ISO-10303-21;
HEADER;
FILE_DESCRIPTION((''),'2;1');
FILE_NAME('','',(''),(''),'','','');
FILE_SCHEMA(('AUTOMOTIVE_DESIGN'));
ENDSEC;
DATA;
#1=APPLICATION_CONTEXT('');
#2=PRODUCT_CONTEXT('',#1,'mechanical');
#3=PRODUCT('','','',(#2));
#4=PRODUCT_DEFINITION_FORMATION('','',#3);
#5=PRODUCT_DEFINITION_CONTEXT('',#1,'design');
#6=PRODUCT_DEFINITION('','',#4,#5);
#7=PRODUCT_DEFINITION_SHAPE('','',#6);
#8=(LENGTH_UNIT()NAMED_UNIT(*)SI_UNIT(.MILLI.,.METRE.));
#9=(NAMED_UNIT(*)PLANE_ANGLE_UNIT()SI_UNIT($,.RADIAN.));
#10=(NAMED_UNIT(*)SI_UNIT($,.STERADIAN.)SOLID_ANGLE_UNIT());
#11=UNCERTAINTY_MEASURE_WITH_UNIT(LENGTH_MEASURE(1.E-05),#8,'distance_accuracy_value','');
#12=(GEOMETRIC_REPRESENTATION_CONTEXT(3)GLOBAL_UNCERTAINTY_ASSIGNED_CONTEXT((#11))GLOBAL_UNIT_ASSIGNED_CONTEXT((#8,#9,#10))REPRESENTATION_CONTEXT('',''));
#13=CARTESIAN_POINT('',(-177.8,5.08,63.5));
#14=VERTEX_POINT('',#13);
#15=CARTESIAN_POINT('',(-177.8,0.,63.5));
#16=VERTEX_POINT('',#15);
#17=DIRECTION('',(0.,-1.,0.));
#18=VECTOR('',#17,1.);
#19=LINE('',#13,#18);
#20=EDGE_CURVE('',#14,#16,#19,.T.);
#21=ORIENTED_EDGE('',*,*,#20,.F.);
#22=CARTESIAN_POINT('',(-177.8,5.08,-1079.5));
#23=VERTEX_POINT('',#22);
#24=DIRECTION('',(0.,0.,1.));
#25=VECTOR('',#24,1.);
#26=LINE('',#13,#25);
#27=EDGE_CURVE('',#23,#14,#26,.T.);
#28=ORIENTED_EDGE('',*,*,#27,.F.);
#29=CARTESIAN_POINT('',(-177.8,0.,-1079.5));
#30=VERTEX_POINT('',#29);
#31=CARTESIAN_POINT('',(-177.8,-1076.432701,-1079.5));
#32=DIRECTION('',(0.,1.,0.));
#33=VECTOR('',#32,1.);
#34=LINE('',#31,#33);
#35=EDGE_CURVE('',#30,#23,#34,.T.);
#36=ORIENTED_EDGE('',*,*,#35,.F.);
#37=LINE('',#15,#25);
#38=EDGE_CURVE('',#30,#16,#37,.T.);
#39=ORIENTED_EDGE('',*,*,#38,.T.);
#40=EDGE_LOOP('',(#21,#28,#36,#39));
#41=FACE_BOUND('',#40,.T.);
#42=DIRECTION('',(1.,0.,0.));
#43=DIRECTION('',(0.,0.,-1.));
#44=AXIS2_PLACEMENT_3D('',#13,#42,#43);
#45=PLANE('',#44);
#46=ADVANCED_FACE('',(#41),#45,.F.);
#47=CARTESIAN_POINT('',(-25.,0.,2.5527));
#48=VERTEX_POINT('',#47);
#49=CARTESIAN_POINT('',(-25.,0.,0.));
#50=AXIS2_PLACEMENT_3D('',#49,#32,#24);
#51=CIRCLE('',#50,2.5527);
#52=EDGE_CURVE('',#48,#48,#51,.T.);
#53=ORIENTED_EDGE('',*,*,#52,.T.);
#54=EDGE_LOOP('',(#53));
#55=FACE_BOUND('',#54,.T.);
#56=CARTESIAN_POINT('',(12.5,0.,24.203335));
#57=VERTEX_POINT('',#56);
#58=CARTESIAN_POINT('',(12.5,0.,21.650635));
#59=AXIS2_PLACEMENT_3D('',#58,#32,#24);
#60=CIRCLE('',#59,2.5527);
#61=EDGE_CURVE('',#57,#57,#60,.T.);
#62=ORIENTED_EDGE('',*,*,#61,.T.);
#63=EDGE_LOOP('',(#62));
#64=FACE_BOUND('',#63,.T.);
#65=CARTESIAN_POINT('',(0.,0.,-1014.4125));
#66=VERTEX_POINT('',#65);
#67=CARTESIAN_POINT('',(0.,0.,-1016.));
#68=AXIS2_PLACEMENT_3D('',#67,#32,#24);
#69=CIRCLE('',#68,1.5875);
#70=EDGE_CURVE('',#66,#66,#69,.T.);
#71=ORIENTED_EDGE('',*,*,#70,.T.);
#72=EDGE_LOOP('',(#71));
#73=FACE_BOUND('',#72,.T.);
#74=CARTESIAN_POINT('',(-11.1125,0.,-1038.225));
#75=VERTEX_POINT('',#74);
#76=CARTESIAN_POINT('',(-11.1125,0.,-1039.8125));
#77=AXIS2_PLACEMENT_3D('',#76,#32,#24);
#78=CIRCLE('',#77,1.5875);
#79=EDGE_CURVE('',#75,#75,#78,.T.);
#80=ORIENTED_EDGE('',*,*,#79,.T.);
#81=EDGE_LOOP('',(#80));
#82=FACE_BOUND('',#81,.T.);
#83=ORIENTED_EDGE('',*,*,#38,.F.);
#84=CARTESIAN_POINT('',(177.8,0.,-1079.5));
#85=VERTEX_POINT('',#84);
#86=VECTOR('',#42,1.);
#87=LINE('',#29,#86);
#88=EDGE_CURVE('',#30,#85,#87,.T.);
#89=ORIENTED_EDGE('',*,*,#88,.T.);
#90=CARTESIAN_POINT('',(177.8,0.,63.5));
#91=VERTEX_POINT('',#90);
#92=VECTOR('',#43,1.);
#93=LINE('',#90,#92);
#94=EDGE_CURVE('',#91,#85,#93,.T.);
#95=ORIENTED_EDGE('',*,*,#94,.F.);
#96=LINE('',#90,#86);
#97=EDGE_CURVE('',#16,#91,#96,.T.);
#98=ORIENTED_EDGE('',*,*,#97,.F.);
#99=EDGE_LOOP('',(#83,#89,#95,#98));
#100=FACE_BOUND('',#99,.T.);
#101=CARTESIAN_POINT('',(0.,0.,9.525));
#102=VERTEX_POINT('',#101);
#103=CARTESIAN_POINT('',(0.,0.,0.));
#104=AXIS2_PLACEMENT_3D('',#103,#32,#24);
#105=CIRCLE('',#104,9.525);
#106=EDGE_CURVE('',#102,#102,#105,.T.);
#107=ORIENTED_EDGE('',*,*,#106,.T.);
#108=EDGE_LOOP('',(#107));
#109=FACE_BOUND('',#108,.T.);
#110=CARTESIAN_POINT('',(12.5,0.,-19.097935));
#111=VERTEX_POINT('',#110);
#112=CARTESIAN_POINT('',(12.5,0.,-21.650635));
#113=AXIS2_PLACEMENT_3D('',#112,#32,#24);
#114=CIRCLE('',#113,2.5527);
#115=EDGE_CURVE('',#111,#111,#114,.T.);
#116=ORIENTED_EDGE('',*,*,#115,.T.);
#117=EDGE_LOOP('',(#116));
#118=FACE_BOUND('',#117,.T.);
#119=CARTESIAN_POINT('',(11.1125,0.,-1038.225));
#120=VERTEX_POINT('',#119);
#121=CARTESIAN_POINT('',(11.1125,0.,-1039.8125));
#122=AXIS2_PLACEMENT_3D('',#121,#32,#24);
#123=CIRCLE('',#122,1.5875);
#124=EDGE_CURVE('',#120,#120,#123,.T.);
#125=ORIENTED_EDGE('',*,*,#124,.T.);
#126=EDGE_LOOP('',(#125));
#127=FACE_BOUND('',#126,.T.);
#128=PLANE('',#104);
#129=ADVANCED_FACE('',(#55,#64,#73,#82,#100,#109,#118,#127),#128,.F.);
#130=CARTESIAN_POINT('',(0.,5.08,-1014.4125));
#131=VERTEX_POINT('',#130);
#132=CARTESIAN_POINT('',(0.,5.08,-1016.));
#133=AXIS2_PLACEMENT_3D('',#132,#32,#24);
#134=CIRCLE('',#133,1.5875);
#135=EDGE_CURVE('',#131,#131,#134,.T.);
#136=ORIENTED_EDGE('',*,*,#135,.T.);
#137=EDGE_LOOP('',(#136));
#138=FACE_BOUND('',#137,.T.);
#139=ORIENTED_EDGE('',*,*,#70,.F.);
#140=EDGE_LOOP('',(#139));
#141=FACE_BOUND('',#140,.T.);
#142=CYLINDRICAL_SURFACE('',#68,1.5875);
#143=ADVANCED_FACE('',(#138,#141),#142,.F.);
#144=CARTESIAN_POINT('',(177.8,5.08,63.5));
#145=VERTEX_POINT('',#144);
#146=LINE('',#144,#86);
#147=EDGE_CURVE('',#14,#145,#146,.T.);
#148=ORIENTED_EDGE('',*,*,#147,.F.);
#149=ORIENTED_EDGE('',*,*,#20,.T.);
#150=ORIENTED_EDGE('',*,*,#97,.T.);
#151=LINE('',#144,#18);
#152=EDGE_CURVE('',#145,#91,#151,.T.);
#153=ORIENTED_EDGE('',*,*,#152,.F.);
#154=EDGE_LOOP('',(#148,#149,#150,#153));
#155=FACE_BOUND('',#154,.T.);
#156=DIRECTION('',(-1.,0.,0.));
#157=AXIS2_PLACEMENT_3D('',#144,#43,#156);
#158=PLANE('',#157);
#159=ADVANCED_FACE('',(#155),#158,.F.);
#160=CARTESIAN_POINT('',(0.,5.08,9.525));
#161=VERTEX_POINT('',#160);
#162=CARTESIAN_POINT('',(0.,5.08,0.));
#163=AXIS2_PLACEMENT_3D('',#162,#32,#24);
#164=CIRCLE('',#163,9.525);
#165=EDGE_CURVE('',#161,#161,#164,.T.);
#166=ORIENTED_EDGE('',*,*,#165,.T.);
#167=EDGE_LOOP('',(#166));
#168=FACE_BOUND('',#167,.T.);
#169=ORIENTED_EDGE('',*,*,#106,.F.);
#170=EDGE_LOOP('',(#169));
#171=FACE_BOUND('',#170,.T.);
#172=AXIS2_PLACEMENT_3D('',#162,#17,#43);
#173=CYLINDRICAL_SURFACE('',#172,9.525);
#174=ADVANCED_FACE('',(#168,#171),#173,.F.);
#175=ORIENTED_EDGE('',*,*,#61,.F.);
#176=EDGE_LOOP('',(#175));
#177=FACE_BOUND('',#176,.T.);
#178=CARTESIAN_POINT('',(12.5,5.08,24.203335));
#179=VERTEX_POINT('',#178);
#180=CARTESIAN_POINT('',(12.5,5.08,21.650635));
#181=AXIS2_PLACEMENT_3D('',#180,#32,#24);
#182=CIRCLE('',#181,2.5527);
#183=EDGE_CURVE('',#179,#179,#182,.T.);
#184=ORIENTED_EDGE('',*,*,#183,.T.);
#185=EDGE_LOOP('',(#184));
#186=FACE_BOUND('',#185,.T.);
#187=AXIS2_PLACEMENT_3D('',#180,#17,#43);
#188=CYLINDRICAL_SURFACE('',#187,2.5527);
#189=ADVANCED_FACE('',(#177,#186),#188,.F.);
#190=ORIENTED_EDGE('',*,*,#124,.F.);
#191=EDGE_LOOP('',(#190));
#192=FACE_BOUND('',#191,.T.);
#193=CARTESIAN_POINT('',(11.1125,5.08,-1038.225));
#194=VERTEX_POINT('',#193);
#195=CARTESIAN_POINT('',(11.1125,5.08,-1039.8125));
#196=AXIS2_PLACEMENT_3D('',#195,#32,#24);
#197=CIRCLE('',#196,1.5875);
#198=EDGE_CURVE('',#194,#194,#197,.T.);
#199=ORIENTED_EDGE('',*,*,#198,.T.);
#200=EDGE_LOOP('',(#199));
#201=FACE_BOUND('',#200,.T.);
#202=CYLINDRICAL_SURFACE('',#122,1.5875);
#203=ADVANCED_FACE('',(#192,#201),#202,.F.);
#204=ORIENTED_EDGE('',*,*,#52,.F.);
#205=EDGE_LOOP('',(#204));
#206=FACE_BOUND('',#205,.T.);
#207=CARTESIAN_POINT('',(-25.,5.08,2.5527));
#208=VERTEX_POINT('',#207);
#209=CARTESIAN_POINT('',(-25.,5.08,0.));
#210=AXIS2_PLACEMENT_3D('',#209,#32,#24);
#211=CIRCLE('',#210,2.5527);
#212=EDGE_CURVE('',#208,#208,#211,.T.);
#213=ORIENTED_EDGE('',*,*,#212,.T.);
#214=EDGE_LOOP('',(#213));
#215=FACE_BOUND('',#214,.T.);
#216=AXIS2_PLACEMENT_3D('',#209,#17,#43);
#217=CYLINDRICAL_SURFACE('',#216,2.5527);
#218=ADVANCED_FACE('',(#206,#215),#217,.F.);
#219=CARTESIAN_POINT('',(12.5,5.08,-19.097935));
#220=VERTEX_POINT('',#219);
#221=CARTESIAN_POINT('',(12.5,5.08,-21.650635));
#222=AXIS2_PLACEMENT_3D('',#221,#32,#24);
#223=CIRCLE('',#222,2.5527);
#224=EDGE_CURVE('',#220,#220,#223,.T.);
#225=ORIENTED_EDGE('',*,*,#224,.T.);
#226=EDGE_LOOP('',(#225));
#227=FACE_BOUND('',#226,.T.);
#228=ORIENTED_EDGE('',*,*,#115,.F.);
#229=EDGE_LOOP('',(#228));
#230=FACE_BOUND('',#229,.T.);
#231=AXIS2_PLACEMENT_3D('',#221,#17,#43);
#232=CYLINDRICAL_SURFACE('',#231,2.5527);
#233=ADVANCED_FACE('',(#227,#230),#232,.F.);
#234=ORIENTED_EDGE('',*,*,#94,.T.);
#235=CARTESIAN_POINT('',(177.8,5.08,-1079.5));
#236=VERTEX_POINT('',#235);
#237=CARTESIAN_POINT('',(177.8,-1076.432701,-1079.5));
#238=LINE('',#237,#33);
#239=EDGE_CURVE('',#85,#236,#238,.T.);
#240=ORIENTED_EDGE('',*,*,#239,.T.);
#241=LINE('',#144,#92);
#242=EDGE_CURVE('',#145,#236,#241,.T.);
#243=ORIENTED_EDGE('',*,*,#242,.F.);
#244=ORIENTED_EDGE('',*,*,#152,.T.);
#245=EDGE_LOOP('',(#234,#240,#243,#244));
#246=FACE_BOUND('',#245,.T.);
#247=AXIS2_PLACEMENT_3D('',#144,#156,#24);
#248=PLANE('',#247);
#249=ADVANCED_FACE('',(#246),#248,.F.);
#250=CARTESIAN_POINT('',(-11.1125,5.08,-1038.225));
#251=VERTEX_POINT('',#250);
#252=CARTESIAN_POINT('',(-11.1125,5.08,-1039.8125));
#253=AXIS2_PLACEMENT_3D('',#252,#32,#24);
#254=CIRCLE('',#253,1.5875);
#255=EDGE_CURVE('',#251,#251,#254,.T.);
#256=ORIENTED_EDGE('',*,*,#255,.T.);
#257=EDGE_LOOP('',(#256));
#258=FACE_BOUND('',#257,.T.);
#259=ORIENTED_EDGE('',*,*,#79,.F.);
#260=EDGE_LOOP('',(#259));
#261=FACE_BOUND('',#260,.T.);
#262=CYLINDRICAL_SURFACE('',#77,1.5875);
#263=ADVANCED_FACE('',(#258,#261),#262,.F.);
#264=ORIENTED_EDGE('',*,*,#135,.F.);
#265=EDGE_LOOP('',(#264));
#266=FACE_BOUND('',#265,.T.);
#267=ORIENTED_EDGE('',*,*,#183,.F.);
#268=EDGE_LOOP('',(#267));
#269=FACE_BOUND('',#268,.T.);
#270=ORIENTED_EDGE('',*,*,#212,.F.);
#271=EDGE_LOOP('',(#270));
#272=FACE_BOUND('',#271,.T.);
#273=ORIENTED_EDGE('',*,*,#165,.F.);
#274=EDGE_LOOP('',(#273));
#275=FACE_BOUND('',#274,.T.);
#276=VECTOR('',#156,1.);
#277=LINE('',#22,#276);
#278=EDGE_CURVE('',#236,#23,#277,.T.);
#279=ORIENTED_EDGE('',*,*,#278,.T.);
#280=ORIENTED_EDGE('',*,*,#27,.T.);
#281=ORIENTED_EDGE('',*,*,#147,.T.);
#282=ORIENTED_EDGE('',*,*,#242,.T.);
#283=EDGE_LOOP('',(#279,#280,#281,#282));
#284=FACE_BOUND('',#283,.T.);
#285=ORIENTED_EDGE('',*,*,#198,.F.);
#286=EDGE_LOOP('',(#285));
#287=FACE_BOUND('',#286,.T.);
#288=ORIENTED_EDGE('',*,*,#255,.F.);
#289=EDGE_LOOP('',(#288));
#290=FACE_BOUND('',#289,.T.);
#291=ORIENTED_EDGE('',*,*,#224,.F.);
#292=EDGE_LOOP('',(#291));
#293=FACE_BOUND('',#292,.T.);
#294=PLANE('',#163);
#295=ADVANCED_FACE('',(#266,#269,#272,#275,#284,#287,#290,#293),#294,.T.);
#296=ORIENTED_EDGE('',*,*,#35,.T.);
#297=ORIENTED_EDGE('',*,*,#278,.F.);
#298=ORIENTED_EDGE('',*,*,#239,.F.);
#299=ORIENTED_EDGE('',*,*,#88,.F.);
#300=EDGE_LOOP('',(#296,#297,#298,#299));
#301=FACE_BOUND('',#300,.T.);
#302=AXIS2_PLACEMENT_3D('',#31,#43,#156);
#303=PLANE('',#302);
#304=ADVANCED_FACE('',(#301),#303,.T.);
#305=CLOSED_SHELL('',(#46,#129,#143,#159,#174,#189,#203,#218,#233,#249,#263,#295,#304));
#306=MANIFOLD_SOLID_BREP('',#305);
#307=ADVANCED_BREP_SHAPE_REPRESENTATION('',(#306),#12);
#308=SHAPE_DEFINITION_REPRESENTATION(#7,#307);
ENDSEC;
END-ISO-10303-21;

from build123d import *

# Parameters (mm, degrees)
SKETCH1_W           = 355.6
SKETCH1_H           = 127
SKETCH1_R           = 9.525
SKETCH1_R_2         = 2.5527
BOSS_EXTRUDE1_DEPTH = 5.08
SKETCH2_W           = 355.6
SKETCH2_H           = 1016
BOSS_EXTRUDE2_DEPTH = 5.08
SKETCH4_R           = 1.5875
CUT_EXTRUDE1_DEPTH  = 6.08


with BuildPart() as part:
    # Sketch1 → Boss-Extrude1 (new body)
    with BuildSketch(Plane(origin=(0, 0, 0), x_dir=(1, 0, 0), z_dir=(0, 1, 0))):
        Rectangle(SKETCH1_W, SKETCH1_H)
        Circle(SKETCH1_R, mode=Mode.SUBTRACT)
        with Locations((12.5, 21.650635095)):
            Circle(SKETCH1_R_2, mode=Mode.SUBTRACT)
        with Locations((12.5, -21.650635095)):
            Circle(SKETCH1_R_2, mode=Mode.SUBTRACT)
        with Locations((-25, 0)):
            Circle(SKETCH1_R_2, mode=Mode.SUBTRACT)
    extrude(amount=BOSS_EXTRUDE1_DEPTH)

    # Sketch2 → Boss-Extrude2 (add)
    with BuildSketch(Plane(origin=(0, 5.08, 0), x_dir=(1, 0, 0), z_dir=(0, 1, 0))):
        with Locations((0, 571.5)):
            Rectangle(SKETCH2_W, SKETCH2_H)
    extrude(amount=-BOSS_EXTRUDE2_DEPTH)

    # Sketch4 → Cut-Extrude1 (cut, through all)
    with BuildSketch(Plane(origin=(0, 5.08, 0), x_dir=(1, 0, 0), z_dir=(0, 1, 0))):
        with Locations((11.1125, 1039.8125)):
            Circle(SKETCH4_R)
        with Locations((-11.1125, 1039.8125)):
            Circle(SKETCH4_R)
        with Locations((0, 1016)):
            Circle(SKETCH4_R)
    extrude(amount=-CUT_EXTRUDE1_DEPTH, mode=Mode.SUBTRACT)


solid = part.part
